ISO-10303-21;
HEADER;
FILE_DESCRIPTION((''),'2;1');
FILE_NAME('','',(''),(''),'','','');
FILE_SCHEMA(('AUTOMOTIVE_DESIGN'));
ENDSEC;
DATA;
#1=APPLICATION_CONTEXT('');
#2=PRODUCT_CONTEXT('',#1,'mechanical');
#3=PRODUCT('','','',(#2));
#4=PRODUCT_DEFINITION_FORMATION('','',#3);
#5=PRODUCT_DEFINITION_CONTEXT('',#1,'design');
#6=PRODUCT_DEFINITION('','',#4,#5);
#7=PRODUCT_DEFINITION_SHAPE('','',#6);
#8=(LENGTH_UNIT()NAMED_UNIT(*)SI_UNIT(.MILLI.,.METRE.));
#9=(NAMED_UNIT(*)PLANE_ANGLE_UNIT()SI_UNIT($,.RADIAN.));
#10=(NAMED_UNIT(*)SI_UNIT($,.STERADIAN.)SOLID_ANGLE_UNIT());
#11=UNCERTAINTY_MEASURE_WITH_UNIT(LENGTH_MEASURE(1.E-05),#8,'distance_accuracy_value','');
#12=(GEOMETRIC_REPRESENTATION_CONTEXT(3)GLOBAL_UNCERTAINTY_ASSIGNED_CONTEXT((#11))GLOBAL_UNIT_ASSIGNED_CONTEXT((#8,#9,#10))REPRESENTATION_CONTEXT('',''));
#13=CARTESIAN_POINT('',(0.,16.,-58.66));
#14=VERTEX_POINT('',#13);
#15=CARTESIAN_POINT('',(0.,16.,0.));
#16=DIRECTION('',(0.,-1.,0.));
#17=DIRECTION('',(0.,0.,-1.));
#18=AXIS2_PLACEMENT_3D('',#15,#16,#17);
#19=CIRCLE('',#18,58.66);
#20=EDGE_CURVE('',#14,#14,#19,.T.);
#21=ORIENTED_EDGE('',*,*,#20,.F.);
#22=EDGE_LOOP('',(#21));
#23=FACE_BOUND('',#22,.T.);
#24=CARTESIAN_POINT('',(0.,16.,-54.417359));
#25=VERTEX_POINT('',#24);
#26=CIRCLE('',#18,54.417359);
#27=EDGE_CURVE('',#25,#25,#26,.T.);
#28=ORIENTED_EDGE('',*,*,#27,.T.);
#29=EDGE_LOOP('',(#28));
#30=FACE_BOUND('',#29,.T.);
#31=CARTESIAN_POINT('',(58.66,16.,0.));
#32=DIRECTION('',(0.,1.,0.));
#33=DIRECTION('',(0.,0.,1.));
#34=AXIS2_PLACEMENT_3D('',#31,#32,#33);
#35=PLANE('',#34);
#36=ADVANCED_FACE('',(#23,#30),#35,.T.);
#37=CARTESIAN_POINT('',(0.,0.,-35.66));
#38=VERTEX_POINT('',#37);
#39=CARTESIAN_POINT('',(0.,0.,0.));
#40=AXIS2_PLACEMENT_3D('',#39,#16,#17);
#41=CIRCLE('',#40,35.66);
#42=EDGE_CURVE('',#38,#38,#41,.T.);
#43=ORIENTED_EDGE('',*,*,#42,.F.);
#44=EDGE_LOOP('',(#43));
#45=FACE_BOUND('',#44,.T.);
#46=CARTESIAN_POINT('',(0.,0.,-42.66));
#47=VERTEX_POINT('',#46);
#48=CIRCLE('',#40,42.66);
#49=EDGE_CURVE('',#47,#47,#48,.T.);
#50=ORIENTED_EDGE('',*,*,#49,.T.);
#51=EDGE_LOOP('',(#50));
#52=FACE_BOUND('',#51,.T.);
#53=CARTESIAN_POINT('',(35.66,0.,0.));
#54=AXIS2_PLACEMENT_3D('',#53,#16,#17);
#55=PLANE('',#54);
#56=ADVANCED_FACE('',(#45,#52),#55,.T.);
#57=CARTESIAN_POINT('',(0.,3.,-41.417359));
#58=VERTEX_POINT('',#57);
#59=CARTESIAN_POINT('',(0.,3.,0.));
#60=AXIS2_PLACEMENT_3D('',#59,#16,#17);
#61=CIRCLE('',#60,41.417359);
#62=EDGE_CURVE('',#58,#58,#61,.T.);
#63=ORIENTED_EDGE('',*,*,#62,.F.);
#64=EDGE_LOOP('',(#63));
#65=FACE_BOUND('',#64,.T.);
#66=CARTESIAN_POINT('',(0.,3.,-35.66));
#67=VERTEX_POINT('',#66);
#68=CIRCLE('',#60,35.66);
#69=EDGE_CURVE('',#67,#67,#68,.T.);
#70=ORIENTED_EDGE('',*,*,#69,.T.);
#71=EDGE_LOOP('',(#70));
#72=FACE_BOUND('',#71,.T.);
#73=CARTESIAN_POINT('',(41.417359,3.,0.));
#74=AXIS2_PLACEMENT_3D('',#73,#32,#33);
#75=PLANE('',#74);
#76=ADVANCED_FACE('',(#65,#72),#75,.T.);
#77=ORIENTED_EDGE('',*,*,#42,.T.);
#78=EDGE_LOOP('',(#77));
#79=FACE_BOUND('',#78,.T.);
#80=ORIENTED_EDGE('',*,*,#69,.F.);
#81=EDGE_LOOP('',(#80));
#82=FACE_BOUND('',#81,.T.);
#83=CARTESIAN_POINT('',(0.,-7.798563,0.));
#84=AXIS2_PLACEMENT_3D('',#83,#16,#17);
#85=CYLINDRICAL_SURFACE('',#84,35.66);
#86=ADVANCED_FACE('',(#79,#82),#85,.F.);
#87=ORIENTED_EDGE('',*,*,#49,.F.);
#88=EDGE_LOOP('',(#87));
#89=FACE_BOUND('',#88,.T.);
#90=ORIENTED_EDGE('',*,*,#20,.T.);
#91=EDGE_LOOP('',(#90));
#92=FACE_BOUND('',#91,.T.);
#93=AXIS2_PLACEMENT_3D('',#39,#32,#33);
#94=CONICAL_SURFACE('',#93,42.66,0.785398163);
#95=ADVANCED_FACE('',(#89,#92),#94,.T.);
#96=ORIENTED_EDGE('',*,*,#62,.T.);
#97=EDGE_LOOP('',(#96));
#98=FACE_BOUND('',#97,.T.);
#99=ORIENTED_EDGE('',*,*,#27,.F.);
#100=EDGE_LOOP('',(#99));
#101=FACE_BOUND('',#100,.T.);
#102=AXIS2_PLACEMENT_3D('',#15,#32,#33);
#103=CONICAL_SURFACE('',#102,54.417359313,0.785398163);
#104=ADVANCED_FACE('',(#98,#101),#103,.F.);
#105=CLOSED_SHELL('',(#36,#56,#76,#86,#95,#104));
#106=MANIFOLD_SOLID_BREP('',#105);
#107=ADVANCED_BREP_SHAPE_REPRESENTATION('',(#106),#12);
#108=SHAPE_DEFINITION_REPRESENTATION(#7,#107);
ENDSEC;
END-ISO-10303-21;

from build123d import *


with BuildPart() as part:
    # Skizze1 → Rotation1 (revolve)
    with BuildSketch(Plane.XY, mode=Mode.PRIVATE) as rotation1_sk:
        Polygon((35.66, 0), (42.66, 0), (58.66, 16), (54.417359313, 16), (41.417359313, 3), (35.66, 3), align=None)
    revolve(rotation1_sk.sketch.rotate(Axis((0, -7.798563139, 0), (0, 1, 0)), 90), axis=Axis((0, -7.798563139, 0), (0, 1, 0)))


solid = part.part
